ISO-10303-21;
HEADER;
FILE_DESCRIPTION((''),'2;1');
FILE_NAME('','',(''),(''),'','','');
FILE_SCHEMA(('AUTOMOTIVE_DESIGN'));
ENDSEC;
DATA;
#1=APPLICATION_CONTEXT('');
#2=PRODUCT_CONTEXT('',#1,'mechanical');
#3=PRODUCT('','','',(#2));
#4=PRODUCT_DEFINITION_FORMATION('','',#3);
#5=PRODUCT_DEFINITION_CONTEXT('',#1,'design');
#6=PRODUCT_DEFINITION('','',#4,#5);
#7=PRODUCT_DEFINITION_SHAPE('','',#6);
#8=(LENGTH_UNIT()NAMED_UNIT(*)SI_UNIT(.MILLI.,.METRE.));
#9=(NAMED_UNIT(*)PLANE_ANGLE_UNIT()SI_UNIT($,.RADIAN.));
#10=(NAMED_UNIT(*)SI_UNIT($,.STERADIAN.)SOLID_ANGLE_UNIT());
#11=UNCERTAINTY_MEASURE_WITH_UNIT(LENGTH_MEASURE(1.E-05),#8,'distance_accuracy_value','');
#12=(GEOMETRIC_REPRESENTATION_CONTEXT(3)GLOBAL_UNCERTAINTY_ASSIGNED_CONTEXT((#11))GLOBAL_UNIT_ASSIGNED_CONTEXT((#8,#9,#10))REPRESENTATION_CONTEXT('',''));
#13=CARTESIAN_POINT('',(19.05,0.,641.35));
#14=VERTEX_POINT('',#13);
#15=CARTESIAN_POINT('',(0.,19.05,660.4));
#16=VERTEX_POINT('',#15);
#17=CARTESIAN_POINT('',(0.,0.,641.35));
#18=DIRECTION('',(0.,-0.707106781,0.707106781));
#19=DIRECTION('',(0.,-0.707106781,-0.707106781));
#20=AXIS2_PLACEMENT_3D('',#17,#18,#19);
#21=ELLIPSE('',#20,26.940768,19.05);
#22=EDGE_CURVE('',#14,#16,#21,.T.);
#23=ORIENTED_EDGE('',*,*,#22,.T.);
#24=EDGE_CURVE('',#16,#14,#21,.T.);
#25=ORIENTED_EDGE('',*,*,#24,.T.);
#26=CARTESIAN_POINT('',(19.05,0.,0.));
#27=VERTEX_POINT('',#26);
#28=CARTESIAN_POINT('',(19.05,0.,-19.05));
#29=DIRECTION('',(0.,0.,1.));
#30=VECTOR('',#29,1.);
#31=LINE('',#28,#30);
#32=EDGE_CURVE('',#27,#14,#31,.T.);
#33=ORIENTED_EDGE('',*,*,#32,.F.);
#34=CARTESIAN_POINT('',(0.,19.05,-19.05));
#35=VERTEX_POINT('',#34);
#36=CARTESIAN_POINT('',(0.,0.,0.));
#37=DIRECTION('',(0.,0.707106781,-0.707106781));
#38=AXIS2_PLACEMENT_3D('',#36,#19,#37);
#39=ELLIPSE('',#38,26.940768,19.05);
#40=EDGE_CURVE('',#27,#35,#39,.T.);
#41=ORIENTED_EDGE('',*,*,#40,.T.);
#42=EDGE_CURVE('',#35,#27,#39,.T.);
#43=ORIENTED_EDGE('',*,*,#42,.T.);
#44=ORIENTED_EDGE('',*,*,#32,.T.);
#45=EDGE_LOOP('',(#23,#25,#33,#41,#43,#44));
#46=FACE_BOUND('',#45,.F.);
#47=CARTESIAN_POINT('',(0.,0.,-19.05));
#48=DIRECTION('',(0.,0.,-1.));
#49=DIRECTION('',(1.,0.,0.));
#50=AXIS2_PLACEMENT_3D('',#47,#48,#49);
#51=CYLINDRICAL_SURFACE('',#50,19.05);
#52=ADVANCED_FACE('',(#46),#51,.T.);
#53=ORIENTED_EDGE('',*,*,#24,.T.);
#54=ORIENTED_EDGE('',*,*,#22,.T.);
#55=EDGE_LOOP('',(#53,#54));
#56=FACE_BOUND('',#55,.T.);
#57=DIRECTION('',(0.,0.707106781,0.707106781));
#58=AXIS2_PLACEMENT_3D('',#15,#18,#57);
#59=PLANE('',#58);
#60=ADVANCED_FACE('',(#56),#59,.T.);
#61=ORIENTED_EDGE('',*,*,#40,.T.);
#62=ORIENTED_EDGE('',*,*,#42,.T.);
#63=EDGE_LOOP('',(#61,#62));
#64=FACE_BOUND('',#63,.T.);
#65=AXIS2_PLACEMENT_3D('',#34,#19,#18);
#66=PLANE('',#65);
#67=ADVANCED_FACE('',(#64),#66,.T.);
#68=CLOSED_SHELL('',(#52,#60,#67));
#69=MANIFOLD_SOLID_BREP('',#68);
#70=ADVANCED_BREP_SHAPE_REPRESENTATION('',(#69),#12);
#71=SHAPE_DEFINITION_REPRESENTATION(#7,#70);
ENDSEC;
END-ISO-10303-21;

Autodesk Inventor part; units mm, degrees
ref_plane "Start plane" through (0, 0, -19.05) normal (0, 0, 1) x (1, 0, 0)
ref_plane "End plane" through (0, 0, 660.4) normal (0, 0, 1) x (1, 0, 0)
sketch "Sketch" plane through (0, 0, 0) normal (0, 0, 1) x (1, 0, 0)
  circle A0 centre (0, 0) radius 19.05
  dimension "d0" = 38.1
extrude "Body" add sketch "Sketch" along normal up to surface (679.45 mm away) from surface at -19.05
sketch "Sketch2" plane through (0, 0, 0) normal (0, 0, 1) x (1, 0, 0)
  line L0 (0, 0) -> (10, 0)
ref_plane "Work Plane3" through (0, 0, 0) normal (0, -1, 0) x (1, 0, 0)
sketch "Sketch3" plane through (0, 0, 0) normal (0, -1, 0) x (1, 0, 0)
  line L0 (-2, -19.05) -> (12, -19.05)
  line L1 (-2, 660.4) -> (12, 660.4)
  dimension "d7" = 679.45
ref_plane "Work Plane4" through (0, 19.05, -19.05) normal (0, -0.7071, -0.7071) x (1, 0, 0)
split "Split1" plane through (0, 19.05, -19.05) removes the side toward (0, -0.7071, -0.7071)
ref_plane "Work Plane5" through (0, 19.05, 660.4) normal (0, -0.7071, 0.7071) x (1, 0, 0)
split "Split2" plane through (0, 19.05, 660.4) removes the side toward (0, -0.7071, 0.7071)
equation "\"d0\" = Diam"
equation "\"d1\" = G_L"
equation "\"Diam\" = 38.1"
equation "\"G_L\" = d7"
equation "\"G_OFFSET_START\" = 19.05"
equation "\"G_OFFSET_END\" = 19.05"
equation "\"d4\" = -G_OFFSET_START"
equation "\"d5\" = G_OFFSET_END + B_L"
equation "\"B_L\" = 641.35"
properties part number "ANSI/AISC Rolled Steel - 1 1/2-26.75" material "Steel, Mild"
